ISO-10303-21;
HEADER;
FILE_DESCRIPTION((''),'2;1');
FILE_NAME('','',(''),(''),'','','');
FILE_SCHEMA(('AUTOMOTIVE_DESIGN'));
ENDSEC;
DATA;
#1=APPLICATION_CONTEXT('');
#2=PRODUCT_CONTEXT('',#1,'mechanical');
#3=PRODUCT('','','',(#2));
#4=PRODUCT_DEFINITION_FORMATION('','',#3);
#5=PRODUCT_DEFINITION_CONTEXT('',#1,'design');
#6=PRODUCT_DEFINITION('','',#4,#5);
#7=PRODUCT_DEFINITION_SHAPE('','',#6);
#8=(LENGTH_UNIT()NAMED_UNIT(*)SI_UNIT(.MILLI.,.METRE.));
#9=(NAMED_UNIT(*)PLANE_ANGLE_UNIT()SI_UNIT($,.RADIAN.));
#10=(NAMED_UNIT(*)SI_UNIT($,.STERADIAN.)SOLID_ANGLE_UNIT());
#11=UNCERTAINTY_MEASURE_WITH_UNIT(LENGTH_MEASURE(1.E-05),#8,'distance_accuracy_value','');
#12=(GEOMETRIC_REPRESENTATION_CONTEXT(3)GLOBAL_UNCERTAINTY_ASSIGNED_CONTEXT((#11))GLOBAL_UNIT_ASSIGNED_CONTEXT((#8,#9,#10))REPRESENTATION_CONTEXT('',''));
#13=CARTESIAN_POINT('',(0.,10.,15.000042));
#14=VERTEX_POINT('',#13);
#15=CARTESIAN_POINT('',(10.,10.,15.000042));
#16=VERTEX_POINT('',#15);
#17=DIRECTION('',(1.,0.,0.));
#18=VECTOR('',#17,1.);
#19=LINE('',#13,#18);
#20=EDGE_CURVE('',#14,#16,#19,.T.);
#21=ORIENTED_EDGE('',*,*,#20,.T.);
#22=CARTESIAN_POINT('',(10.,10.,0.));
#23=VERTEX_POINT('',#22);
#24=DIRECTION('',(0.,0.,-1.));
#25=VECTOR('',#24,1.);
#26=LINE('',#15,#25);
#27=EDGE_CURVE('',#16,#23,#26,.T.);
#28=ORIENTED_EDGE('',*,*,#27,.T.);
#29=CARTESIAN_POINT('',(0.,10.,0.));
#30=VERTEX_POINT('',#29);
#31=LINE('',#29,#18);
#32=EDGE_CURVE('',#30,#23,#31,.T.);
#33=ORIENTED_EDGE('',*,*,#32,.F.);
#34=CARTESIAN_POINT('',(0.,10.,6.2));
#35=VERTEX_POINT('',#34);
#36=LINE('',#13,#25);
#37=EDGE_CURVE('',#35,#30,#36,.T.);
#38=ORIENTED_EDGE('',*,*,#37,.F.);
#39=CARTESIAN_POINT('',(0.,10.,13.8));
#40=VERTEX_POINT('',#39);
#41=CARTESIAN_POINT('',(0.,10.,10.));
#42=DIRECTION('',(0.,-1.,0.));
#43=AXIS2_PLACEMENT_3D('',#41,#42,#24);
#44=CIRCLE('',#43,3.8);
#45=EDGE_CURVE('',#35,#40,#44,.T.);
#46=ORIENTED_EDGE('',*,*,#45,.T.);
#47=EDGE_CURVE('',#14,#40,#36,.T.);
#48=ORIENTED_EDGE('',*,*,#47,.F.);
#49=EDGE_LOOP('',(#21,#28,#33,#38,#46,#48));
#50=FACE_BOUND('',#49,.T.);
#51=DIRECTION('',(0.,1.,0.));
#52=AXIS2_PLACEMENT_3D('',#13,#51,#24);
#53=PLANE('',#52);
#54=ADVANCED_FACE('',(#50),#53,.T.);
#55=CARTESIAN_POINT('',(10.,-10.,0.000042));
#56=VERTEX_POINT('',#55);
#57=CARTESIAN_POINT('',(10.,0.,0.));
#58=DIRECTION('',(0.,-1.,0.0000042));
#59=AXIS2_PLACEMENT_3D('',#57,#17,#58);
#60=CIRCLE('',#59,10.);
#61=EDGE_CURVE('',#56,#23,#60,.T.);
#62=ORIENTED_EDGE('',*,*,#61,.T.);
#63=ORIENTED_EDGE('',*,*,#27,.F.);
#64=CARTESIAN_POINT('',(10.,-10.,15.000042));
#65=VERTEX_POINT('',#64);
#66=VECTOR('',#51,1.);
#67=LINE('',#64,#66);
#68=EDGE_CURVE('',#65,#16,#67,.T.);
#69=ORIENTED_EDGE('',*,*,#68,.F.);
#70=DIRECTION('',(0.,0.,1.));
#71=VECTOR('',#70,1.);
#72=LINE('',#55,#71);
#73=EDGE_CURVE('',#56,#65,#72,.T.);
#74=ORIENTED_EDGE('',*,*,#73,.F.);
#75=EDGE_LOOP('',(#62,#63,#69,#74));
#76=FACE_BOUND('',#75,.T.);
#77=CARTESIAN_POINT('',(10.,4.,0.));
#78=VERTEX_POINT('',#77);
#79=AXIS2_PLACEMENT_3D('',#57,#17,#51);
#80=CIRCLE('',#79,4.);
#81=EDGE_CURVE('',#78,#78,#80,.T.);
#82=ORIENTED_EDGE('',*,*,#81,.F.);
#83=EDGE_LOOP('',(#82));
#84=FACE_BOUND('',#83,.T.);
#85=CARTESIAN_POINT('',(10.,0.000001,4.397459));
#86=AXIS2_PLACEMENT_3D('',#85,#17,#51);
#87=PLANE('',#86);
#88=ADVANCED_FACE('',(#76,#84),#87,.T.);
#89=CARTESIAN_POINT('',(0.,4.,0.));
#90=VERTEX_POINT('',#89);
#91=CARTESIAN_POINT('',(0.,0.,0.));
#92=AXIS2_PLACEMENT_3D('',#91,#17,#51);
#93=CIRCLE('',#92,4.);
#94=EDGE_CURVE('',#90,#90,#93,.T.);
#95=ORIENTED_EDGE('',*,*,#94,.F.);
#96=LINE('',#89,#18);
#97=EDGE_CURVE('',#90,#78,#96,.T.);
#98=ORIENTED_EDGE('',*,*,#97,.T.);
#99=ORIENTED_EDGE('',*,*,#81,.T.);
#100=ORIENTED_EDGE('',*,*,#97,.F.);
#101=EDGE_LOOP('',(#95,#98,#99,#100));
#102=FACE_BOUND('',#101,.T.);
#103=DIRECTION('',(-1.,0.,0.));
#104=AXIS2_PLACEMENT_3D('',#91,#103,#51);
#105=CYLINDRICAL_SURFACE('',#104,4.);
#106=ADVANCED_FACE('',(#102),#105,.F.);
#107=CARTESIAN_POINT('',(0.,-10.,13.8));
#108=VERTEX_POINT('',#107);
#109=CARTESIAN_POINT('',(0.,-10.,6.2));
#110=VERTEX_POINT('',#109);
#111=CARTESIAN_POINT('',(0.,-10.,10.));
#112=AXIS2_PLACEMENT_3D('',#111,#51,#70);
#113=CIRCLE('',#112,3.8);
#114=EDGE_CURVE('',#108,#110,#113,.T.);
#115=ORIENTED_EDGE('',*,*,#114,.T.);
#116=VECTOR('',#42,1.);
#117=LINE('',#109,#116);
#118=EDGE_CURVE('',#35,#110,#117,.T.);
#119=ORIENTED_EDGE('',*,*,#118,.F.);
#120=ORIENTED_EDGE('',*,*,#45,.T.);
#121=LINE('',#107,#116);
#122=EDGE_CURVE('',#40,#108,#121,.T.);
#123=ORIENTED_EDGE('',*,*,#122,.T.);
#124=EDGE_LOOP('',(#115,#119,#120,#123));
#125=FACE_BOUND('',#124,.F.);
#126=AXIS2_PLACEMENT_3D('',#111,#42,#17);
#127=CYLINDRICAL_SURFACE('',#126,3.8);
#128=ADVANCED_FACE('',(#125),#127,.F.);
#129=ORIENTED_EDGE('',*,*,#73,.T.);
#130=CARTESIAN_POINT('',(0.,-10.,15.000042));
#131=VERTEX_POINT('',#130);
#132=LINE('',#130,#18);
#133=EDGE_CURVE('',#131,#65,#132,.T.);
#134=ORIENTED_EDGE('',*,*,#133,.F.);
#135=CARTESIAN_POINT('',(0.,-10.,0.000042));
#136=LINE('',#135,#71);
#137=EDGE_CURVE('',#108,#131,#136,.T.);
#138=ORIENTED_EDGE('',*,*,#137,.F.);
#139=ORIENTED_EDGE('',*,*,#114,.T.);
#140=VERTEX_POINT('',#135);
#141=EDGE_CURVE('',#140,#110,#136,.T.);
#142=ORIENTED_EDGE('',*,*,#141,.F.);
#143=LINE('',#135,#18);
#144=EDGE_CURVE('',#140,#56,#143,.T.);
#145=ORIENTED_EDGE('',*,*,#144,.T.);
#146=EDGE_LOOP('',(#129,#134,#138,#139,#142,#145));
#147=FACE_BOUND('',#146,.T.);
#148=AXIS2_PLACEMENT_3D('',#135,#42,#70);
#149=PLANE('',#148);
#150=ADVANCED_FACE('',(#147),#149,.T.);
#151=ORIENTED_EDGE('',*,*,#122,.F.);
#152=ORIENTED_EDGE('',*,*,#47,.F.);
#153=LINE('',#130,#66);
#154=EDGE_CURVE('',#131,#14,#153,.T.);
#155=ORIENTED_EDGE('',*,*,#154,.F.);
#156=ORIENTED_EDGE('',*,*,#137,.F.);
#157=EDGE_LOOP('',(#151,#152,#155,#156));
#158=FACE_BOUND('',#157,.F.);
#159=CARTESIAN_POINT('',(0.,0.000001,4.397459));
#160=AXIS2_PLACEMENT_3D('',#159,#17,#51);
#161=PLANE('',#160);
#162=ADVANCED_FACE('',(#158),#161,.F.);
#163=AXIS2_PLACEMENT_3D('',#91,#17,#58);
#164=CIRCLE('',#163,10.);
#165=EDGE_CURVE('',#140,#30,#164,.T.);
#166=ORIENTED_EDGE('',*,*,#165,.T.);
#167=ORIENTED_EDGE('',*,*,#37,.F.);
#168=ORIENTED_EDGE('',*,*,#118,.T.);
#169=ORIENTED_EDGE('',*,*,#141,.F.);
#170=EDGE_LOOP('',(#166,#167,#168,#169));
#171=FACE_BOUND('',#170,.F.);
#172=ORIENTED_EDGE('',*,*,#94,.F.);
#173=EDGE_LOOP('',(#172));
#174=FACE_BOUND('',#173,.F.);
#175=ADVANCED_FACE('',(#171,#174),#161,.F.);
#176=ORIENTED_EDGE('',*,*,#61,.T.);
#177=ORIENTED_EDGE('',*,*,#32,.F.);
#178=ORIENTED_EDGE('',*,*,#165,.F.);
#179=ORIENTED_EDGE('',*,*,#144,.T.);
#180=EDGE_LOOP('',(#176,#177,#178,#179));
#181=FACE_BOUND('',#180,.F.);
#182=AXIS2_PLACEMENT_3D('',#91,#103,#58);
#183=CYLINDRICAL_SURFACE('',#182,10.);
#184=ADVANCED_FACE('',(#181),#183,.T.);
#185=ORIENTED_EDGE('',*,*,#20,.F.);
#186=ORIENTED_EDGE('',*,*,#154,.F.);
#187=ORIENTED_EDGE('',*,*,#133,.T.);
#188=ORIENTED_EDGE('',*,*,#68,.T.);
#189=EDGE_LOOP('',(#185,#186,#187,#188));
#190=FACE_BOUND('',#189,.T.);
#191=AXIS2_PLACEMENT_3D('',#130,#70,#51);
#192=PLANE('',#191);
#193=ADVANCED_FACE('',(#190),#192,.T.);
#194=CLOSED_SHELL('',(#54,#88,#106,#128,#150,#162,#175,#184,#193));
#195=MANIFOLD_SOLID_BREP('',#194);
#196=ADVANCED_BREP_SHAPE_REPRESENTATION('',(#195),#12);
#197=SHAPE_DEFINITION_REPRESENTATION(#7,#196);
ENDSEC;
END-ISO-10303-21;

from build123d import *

# Parameters (mm, degrees)
SKETCH001_R  = 3.8
PAD001_DEPTH = 20
SKETCH_R     = 4
PAD_DEPTH    = 10


with BuildPart() as rodmount:
    # Sketch001 → Pad001 (new body)
    with BuildSketch(Plane.XZ.offset(10)):
        with Locations((0, 10)):
            Circle(SKETCH001_R)
    extrude(amount=-PAD001_DEPTH)


with BuildPart() as rodmount001:
    # Sketch → Pad (new body)
    with BuildSketch(Plane.YZ):
        with BuildLine():
            ThreePointArc((-10, 4.2e-05), (-2.1e-05, -10), (10, 0))
            Line((10, 15.000042), (10, 0))
            Line((-10, 15.000042), (10, 15.000042))
            Line((-10, 4.2e-05), (-10, 15.000042))
        make_face()
        Circle(SKETCH_R, mode=Mode.SUBTRACT)
    extrude(amount=PAD_DEPTH)

    # Cut: cut RodMount
    add(rodmount.part, mode=Mode.SUBTRACT)


solid = rodmount001.part
